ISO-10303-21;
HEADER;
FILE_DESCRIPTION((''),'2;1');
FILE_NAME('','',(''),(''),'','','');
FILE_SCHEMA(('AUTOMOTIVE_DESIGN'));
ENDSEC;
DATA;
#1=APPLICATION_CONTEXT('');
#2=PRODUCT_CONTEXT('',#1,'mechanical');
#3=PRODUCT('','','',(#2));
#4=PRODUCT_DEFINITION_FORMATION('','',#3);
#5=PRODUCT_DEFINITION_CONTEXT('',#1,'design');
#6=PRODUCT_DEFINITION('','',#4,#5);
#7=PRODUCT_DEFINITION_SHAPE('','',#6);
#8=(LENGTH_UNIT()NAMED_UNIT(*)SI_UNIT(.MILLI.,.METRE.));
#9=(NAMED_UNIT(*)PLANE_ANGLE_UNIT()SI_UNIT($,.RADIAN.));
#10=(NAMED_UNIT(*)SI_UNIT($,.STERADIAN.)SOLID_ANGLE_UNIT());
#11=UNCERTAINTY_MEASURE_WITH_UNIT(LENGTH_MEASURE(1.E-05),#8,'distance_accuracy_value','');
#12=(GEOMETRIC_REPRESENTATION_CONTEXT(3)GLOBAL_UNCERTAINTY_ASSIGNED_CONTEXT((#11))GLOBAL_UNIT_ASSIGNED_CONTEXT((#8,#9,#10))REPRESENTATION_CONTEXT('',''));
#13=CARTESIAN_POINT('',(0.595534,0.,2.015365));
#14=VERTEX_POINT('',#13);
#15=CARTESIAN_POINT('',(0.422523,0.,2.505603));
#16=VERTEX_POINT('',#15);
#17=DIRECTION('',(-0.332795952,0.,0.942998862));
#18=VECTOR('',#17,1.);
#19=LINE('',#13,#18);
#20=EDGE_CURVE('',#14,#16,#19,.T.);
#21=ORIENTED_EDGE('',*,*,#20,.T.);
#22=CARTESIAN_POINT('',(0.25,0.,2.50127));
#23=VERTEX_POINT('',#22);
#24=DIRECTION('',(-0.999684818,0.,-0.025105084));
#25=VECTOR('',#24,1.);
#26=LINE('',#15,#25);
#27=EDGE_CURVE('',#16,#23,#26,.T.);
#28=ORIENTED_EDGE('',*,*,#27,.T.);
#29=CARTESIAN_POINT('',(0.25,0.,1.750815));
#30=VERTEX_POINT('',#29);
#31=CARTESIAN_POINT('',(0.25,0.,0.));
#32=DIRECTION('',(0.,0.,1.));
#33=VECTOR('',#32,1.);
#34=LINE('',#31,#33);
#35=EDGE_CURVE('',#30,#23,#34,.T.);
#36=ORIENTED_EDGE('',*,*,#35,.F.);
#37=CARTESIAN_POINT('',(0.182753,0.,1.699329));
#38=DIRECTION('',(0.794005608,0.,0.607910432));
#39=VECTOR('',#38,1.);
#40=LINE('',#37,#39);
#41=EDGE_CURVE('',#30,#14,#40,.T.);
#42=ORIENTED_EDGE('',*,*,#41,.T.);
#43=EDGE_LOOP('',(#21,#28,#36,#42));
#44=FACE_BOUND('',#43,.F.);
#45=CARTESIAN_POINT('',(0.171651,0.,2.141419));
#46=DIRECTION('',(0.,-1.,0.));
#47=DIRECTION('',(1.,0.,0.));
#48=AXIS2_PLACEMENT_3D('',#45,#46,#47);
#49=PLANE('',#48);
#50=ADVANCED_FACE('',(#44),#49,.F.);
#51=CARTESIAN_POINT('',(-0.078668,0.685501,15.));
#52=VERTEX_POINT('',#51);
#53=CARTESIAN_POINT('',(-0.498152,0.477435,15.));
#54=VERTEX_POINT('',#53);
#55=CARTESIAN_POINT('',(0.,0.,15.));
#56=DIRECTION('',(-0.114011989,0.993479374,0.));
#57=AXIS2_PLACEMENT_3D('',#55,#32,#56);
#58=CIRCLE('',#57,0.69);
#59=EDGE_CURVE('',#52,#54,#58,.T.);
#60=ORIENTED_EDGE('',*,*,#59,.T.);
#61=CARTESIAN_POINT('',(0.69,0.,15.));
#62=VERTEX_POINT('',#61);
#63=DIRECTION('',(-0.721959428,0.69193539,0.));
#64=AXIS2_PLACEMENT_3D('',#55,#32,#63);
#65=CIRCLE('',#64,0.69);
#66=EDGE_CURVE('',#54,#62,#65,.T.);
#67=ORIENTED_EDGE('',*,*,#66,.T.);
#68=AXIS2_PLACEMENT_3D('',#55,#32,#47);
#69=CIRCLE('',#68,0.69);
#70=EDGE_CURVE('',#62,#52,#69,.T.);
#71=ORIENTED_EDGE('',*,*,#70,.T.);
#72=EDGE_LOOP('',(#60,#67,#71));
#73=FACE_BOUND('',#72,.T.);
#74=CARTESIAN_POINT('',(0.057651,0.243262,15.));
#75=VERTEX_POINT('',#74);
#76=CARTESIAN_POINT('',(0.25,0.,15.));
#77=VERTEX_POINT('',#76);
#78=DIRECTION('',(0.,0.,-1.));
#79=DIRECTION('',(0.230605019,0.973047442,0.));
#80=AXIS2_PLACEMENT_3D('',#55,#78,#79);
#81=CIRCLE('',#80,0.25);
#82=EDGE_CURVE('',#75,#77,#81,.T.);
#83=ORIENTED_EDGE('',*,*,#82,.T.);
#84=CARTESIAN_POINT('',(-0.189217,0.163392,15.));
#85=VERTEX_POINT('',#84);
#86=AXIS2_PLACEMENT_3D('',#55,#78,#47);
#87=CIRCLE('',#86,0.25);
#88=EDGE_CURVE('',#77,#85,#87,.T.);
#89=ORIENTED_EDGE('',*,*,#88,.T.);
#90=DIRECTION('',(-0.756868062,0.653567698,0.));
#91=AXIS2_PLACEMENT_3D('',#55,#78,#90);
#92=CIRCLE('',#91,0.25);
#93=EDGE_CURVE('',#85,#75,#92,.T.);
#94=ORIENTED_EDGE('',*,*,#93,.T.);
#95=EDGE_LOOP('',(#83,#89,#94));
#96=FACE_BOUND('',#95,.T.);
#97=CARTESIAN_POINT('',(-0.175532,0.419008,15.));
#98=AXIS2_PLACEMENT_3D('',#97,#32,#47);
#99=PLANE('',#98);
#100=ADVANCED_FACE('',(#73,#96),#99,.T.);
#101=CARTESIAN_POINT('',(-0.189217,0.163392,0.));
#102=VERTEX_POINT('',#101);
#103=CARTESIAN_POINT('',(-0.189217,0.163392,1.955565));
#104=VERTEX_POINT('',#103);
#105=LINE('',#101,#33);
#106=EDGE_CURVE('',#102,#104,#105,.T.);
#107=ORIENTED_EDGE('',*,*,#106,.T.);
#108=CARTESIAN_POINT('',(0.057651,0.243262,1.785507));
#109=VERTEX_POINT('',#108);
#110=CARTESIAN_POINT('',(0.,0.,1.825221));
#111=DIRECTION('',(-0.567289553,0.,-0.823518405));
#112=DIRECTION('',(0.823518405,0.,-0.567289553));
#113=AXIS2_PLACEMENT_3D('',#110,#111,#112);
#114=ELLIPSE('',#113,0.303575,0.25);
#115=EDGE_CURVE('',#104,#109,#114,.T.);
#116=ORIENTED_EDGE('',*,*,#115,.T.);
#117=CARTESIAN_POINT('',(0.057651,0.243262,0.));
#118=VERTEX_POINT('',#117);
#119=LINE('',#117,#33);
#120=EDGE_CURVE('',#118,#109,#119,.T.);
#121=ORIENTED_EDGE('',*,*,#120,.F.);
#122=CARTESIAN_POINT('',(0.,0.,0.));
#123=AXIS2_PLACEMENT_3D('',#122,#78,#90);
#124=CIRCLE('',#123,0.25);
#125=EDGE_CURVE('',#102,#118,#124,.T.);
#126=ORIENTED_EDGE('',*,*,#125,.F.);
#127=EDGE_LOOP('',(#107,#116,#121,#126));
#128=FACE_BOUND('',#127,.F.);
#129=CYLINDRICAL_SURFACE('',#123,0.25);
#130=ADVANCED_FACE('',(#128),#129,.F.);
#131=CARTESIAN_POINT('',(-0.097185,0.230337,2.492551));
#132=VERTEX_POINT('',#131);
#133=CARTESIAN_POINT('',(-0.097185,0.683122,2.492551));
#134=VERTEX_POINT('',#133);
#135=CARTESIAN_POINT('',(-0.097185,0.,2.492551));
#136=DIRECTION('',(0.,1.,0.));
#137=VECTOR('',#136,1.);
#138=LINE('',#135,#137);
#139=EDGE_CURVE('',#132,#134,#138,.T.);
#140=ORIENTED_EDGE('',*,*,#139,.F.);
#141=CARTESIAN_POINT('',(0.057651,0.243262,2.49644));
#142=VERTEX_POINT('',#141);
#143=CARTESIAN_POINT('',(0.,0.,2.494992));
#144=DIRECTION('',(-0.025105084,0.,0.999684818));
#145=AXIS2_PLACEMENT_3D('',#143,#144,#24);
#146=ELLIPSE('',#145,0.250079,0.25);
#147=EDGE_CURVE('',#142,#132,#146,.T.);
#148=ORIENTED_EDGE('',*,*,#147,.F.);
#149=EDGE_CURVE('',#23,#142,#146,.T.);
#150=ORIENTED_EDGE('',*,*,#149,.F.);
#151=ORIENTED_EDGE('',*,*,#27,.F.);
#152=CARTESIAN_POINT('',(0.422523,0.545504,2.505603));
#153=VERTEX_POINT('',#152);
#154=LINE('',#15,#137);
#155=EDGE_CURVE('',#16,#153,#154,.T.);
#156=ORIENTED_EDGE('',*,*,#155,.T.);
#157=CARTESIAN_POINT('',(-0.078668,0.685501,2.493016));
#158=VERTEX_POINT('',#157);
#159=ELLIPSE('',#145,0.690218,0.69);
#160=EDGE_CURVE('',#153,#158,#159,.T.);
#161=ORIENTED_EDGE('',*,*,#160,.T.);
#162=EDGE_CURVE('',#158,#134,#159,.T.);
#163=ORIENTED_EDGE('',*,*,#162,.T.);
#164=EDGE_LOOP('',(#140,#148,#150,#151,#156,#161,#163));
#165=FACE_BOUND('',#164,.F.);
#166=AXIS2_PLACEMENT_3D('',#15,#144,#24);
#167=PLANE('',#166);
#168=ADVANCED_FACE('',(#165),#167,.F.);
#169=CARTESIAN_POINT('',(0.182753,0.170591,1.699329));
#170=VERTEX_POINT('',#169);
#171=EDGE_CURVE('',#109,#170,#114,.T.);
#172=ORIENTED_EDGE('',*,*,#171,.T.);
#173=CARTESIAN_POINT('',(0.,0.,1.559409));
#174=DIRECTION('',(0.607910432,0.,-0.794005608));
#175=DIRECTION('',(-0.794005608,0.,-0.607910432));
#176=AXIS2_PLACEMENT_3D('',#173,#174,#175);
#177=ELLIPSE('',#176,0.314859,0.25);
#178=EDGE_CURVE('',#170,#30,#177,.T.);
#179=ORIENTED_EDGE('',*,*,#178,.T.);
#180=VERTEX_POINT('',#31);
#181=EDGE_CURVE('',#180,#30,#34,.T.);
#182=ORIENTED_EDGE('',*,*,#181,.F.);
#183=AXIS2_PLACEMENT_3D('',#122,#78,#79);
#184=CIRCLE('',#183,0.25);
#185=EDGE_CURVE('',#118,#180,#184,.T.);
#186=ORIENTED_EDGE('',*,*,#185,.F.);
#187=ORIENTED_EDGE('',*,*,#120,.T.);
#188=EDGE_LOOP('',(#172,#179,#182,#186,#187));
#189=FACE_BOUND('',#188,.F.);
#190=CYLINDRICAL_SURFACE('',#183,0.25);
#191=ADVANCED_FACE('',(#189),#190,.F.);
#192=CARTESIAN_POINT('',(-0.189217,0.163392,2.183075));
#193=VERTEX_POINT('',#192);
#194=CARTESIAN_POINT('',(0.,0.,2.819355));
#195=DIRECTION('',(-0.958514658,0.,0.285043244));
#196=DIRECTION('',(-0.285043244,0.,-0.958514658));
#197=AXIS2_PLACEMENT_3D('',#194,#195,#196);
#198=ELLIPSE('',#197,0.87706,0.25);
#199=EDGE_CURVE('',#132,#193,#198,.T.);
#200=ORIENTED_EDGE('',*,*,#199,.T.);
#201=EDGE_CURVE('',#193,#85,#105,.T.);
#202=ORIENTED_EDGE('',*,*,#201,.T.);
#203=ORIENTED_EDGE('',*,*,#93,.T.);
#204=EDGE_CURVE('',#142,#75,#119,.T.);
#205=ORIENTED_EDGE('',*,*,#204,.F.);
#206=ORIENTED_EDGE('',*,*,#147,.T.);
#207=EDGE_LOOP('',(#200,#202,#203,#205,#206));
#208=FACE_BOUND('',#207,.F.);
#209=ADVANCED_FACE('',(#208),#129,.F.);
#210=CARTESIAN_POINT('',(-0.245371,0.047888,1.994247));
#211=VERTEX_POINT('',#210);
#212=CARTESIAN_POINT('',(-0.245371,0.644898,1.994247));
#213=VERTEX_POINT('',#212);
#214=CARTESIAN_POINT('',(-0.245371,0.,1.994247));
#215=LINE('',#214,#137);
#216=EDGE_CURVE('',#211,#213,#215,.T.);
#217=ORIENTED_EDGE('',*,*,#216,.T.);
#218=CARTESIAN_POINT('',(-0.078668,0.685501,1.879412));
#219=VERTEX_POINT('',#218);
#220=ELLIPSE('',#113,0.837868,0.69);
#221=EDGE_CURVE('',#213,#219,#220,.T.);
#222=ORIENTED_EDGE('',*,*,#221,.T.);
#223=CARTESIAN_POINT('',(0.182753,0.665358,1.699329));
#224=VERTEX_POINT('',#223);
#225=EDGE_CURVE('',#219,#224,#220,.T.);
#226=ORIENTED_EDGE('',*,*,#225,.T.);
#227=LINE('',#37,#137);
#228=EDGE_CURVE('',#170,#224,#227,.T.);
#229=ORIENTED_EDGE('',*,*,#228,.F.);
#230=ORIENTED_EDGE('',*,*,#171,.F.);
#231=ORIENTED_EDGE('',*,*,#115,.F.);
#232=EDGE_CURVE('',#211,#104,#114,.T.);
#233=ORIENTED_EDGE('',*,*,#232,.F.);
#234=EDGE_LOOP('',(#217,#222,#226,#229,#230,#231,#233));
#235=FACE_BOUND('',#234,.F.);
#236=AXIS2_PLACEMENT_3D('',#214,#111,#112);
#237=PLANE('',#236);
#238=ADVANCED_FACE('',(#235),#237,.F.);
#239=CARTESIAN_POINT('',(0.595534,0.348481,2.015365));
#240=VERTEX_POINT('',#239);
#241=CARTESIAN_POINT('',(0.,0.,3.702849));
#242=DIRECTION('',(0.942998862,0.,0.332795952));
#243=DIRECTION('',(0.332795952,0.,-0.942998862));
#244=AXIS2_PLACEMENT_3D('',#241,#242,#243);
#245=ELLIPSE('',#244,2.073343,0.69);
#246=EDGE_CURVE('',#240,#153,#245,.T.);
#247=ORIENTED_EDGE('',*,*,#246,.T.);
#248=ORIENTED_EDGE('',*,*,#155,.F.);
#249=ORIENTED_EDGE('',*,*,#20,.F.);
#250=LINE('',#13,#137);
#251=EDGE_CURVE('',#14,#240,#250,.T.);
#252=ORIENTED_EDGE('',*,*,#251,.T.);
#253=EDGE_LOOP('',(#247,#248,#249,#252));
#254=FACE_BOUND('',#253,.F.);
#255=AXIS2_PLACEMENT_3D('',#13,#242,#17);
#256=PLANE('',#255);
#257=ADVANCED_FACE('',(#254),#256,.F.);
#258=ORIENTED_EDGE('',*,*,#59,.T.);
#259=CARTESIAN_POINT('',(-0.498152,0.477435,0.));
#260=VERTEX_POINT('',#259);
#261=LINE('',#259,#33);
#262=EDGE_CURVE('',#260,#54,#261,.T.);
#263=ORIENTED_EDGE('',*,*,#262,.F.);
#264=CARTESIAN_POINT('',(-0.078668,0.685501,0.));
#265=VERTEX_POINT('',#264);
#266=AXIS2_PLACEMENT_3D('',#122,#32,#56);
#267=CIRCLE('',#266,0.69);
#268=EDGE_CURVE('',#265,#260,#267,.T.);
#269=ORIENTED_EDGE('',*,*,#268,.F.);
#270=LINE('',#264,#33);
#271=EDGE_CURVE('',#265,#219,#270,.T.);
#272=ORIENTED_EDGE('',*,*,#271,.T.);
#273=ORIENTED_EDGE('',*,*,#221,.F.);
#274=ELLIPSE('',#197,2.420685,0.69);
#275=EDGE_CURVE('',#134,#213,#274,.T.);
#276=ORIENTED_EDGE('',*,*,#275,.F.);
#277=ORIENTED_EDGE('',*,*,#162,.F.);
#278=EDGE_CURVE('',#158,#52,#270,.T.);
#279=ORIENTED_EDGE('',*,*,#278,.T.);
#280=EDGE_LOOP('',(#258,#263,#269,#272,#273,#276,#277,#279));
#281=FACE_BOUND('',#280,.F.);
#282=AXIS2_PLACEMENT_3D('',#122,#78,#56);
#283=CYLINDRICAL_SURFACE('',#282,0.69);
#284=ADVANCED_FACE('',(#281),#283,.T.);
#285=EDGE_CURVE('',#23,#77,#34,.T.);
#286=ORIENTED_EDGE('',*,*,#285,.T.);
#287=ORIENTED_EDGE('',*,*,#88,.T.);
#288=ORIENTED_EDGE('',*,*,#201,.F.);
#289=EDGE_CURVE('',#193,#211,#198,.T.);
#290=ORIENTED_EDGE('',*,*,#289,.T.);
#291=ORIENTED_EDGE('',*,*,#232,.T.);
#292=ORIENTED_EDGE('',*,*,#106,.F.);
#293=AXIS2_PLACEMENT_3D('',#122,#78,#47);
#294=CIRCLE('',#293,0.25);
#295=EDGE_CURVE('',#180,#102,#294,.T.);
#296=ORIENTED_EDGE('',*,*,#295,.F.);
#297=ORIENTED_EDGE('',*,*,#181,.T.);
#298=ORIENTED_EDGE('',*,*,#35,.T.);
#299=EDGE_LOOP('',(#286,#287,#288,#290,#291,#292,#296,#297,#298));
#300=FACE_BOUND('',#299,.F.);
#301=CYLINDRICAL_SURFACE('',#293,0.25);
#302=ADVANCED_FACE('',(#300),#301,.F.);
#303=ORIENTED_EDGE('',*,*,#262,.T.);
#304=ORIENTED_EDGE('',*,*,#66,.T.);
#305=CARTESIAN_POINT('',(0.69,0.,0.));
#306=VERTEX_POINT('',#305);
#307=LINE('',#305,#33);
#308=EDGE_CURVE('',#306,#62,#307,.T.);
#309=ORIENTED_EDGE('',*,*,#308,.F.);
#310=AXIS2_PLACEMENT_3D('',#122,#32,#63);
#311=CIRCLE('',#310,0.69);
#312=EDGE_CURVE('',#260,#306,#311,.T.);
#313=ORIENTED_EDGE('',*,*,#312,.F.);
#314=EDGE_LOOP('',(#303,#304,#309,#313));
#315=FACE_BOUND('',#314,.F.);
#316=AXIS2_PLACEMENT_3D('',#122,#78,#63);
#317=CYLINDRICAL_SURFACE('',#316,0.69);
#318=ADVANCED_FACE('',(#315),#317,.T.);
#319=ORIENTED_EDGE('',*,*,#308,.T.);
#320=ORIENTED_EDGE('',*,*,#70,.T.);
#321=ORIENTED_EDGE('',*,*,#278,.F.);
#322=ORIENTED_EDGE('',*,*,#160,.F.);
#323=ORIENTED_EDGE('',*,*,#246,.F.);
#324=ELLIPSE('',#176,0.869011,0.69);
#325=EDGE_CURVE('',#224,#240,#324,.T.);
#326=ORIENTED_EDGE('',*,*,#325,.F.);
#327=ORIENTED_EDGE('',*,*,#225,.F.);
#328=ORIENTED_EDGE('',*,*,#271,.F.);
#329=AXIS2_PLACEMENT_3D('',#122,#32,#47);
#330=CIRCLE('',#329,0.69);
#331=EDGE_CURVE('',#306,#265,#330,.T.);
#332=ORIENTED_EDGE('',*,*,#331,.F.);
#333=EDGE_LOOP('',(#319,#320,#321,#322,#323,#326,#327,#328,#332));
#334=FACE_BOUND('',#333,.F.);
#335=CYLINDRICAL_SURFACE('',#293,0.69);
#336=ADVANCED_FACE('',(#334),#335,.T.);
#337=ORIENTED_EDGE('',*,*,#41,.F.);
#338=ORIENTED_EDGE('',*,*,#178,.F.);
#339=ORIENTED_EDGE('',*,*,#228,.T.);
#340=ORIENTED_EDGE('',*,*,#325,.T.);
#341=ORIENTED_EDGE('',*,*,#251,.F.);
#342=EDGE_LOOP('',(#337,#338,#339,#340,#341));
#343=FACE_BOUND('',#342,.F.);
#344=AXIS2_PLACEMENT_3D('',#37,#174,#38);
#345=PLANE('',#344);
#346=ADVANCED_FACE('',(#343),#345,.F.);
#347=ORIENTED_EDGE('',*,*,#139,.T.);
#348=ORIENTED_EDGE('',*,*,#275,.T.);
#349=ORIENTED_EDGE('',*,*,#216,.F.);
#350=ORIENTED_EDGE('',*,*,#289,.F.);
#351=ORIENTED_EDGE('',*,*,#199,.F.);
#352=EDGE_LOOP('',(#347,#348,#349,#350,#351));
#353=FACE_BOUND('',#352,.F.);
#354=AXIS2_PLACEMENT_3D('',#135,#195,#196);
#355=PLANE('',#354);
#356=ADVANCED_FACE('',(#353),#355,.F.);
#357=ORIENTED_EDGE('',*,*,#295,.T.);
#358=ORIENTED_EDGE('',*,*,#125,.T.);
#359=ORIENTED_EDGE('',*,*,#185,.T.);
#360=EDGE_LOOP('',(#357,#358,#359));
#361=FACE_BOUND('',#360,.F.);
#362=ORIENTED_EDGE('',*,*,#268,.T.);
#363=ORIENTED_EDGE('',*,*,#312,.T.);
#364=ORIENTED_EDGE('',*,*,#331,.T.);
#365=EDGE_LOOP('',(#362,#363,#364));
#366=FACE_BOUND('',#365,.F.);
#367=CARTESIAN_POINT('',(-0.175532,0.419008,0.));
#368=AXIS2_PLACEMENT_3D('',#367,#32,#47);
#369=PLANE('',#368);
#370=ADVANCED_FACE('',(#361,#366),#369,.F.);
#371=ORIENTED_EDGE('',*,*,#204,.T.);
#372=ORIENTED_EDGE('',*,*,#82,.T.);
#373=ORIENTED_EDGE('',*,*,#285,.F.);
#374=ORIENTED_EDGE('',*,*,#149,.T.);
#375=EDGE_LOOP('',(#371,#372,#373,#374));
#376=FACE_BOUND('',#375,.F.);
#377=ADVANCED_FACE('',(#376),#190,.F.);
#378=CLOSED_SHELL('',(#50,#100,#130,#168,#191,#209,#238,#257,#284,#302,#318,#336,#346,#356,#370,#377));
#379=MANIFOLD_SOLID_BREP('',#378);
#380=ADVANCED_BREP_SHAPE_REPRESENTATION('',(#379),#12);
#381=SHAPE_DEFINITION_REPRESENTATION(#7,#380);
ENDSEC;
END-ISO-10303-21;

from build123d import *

# Parameters (mm, degrees)
F1_DEPTH = 15
F3_DEPTH = 0.7


with BuildPart() as f1:
    # F0 (on Top) → F1 (new body)
    with BuildSketch(Plane.XY):
        with BuildLine():
            ThreePointArc((-0.1892170156, 0.1633919246), (-0.0769557602, 0.2378609068), (0.0576512547, 0.2432618606))
            Line((0.0576512547, 0.2432618606), (0.1187294021, 0.5791915106))
            Line((0.1187294021, 0.5791915106), (-0.0786682724, 0.685500768))
            ThreePointArc((-0.0786682724, 0.685500768), (-0.3065994221, 0.6181397855), (-0.4981520055, 0.4774354191))
            Line((-0.4981520055, 0.4774354191), (-0.3374110871, 0.143368077))
            Line((-0.3374110871, 0.143368077), (-0.1892170156, 0.1633919246))
        make_face()
        with BuildLine():
            ThreePointArc((0.0576512547, 0.2432618606), (0.1961030516, 0.1550599663), (0.25, 0))
            ThreePointArc((0.25, 0), (-0.0871657791, -0.234312029), (-0.1892170156, 0.1633919246))
            Line((-0.1892170156, 0.1633919246), (-0.3374110871, 0.143368077))
            Line((-0.3374110871, 0.143368077), (-0.4981520055, 0.4774354191))
            ThreePointArc((-0.4981520055, 0.4774354191), (-0.2572694271, -0.6402440487), (0.69, 0))
            ThreePointArc((0.69, 0), (0.4592487844, 0.5149665562), (-0.0786682724, 0.685500768))
            Line((-0.0786682724, 0.685500768), (0.1187294021, 0.5791915106))
            Line((0.1187294021, 0.5791915106), (0.0576512547, 0.2432618606))
        make_face()
    extrude(amount=F1_DEPTH)

    # F2 (on Front) → F3 (cut)
    with BuildSketch(Plane.XZ):
        Polygon((0.1827530931, 1.6993293346), (0.5955339908, 2.0153646515), (0.4225228556, 2.5056028978), (-0.097184804, 2.4925514797), (-0.2453706668, 1.9942470135), align=None)
    extrude(amount=-F3_DEPTH, mode=Mode.SUBTRACT)


solid = f1.part
